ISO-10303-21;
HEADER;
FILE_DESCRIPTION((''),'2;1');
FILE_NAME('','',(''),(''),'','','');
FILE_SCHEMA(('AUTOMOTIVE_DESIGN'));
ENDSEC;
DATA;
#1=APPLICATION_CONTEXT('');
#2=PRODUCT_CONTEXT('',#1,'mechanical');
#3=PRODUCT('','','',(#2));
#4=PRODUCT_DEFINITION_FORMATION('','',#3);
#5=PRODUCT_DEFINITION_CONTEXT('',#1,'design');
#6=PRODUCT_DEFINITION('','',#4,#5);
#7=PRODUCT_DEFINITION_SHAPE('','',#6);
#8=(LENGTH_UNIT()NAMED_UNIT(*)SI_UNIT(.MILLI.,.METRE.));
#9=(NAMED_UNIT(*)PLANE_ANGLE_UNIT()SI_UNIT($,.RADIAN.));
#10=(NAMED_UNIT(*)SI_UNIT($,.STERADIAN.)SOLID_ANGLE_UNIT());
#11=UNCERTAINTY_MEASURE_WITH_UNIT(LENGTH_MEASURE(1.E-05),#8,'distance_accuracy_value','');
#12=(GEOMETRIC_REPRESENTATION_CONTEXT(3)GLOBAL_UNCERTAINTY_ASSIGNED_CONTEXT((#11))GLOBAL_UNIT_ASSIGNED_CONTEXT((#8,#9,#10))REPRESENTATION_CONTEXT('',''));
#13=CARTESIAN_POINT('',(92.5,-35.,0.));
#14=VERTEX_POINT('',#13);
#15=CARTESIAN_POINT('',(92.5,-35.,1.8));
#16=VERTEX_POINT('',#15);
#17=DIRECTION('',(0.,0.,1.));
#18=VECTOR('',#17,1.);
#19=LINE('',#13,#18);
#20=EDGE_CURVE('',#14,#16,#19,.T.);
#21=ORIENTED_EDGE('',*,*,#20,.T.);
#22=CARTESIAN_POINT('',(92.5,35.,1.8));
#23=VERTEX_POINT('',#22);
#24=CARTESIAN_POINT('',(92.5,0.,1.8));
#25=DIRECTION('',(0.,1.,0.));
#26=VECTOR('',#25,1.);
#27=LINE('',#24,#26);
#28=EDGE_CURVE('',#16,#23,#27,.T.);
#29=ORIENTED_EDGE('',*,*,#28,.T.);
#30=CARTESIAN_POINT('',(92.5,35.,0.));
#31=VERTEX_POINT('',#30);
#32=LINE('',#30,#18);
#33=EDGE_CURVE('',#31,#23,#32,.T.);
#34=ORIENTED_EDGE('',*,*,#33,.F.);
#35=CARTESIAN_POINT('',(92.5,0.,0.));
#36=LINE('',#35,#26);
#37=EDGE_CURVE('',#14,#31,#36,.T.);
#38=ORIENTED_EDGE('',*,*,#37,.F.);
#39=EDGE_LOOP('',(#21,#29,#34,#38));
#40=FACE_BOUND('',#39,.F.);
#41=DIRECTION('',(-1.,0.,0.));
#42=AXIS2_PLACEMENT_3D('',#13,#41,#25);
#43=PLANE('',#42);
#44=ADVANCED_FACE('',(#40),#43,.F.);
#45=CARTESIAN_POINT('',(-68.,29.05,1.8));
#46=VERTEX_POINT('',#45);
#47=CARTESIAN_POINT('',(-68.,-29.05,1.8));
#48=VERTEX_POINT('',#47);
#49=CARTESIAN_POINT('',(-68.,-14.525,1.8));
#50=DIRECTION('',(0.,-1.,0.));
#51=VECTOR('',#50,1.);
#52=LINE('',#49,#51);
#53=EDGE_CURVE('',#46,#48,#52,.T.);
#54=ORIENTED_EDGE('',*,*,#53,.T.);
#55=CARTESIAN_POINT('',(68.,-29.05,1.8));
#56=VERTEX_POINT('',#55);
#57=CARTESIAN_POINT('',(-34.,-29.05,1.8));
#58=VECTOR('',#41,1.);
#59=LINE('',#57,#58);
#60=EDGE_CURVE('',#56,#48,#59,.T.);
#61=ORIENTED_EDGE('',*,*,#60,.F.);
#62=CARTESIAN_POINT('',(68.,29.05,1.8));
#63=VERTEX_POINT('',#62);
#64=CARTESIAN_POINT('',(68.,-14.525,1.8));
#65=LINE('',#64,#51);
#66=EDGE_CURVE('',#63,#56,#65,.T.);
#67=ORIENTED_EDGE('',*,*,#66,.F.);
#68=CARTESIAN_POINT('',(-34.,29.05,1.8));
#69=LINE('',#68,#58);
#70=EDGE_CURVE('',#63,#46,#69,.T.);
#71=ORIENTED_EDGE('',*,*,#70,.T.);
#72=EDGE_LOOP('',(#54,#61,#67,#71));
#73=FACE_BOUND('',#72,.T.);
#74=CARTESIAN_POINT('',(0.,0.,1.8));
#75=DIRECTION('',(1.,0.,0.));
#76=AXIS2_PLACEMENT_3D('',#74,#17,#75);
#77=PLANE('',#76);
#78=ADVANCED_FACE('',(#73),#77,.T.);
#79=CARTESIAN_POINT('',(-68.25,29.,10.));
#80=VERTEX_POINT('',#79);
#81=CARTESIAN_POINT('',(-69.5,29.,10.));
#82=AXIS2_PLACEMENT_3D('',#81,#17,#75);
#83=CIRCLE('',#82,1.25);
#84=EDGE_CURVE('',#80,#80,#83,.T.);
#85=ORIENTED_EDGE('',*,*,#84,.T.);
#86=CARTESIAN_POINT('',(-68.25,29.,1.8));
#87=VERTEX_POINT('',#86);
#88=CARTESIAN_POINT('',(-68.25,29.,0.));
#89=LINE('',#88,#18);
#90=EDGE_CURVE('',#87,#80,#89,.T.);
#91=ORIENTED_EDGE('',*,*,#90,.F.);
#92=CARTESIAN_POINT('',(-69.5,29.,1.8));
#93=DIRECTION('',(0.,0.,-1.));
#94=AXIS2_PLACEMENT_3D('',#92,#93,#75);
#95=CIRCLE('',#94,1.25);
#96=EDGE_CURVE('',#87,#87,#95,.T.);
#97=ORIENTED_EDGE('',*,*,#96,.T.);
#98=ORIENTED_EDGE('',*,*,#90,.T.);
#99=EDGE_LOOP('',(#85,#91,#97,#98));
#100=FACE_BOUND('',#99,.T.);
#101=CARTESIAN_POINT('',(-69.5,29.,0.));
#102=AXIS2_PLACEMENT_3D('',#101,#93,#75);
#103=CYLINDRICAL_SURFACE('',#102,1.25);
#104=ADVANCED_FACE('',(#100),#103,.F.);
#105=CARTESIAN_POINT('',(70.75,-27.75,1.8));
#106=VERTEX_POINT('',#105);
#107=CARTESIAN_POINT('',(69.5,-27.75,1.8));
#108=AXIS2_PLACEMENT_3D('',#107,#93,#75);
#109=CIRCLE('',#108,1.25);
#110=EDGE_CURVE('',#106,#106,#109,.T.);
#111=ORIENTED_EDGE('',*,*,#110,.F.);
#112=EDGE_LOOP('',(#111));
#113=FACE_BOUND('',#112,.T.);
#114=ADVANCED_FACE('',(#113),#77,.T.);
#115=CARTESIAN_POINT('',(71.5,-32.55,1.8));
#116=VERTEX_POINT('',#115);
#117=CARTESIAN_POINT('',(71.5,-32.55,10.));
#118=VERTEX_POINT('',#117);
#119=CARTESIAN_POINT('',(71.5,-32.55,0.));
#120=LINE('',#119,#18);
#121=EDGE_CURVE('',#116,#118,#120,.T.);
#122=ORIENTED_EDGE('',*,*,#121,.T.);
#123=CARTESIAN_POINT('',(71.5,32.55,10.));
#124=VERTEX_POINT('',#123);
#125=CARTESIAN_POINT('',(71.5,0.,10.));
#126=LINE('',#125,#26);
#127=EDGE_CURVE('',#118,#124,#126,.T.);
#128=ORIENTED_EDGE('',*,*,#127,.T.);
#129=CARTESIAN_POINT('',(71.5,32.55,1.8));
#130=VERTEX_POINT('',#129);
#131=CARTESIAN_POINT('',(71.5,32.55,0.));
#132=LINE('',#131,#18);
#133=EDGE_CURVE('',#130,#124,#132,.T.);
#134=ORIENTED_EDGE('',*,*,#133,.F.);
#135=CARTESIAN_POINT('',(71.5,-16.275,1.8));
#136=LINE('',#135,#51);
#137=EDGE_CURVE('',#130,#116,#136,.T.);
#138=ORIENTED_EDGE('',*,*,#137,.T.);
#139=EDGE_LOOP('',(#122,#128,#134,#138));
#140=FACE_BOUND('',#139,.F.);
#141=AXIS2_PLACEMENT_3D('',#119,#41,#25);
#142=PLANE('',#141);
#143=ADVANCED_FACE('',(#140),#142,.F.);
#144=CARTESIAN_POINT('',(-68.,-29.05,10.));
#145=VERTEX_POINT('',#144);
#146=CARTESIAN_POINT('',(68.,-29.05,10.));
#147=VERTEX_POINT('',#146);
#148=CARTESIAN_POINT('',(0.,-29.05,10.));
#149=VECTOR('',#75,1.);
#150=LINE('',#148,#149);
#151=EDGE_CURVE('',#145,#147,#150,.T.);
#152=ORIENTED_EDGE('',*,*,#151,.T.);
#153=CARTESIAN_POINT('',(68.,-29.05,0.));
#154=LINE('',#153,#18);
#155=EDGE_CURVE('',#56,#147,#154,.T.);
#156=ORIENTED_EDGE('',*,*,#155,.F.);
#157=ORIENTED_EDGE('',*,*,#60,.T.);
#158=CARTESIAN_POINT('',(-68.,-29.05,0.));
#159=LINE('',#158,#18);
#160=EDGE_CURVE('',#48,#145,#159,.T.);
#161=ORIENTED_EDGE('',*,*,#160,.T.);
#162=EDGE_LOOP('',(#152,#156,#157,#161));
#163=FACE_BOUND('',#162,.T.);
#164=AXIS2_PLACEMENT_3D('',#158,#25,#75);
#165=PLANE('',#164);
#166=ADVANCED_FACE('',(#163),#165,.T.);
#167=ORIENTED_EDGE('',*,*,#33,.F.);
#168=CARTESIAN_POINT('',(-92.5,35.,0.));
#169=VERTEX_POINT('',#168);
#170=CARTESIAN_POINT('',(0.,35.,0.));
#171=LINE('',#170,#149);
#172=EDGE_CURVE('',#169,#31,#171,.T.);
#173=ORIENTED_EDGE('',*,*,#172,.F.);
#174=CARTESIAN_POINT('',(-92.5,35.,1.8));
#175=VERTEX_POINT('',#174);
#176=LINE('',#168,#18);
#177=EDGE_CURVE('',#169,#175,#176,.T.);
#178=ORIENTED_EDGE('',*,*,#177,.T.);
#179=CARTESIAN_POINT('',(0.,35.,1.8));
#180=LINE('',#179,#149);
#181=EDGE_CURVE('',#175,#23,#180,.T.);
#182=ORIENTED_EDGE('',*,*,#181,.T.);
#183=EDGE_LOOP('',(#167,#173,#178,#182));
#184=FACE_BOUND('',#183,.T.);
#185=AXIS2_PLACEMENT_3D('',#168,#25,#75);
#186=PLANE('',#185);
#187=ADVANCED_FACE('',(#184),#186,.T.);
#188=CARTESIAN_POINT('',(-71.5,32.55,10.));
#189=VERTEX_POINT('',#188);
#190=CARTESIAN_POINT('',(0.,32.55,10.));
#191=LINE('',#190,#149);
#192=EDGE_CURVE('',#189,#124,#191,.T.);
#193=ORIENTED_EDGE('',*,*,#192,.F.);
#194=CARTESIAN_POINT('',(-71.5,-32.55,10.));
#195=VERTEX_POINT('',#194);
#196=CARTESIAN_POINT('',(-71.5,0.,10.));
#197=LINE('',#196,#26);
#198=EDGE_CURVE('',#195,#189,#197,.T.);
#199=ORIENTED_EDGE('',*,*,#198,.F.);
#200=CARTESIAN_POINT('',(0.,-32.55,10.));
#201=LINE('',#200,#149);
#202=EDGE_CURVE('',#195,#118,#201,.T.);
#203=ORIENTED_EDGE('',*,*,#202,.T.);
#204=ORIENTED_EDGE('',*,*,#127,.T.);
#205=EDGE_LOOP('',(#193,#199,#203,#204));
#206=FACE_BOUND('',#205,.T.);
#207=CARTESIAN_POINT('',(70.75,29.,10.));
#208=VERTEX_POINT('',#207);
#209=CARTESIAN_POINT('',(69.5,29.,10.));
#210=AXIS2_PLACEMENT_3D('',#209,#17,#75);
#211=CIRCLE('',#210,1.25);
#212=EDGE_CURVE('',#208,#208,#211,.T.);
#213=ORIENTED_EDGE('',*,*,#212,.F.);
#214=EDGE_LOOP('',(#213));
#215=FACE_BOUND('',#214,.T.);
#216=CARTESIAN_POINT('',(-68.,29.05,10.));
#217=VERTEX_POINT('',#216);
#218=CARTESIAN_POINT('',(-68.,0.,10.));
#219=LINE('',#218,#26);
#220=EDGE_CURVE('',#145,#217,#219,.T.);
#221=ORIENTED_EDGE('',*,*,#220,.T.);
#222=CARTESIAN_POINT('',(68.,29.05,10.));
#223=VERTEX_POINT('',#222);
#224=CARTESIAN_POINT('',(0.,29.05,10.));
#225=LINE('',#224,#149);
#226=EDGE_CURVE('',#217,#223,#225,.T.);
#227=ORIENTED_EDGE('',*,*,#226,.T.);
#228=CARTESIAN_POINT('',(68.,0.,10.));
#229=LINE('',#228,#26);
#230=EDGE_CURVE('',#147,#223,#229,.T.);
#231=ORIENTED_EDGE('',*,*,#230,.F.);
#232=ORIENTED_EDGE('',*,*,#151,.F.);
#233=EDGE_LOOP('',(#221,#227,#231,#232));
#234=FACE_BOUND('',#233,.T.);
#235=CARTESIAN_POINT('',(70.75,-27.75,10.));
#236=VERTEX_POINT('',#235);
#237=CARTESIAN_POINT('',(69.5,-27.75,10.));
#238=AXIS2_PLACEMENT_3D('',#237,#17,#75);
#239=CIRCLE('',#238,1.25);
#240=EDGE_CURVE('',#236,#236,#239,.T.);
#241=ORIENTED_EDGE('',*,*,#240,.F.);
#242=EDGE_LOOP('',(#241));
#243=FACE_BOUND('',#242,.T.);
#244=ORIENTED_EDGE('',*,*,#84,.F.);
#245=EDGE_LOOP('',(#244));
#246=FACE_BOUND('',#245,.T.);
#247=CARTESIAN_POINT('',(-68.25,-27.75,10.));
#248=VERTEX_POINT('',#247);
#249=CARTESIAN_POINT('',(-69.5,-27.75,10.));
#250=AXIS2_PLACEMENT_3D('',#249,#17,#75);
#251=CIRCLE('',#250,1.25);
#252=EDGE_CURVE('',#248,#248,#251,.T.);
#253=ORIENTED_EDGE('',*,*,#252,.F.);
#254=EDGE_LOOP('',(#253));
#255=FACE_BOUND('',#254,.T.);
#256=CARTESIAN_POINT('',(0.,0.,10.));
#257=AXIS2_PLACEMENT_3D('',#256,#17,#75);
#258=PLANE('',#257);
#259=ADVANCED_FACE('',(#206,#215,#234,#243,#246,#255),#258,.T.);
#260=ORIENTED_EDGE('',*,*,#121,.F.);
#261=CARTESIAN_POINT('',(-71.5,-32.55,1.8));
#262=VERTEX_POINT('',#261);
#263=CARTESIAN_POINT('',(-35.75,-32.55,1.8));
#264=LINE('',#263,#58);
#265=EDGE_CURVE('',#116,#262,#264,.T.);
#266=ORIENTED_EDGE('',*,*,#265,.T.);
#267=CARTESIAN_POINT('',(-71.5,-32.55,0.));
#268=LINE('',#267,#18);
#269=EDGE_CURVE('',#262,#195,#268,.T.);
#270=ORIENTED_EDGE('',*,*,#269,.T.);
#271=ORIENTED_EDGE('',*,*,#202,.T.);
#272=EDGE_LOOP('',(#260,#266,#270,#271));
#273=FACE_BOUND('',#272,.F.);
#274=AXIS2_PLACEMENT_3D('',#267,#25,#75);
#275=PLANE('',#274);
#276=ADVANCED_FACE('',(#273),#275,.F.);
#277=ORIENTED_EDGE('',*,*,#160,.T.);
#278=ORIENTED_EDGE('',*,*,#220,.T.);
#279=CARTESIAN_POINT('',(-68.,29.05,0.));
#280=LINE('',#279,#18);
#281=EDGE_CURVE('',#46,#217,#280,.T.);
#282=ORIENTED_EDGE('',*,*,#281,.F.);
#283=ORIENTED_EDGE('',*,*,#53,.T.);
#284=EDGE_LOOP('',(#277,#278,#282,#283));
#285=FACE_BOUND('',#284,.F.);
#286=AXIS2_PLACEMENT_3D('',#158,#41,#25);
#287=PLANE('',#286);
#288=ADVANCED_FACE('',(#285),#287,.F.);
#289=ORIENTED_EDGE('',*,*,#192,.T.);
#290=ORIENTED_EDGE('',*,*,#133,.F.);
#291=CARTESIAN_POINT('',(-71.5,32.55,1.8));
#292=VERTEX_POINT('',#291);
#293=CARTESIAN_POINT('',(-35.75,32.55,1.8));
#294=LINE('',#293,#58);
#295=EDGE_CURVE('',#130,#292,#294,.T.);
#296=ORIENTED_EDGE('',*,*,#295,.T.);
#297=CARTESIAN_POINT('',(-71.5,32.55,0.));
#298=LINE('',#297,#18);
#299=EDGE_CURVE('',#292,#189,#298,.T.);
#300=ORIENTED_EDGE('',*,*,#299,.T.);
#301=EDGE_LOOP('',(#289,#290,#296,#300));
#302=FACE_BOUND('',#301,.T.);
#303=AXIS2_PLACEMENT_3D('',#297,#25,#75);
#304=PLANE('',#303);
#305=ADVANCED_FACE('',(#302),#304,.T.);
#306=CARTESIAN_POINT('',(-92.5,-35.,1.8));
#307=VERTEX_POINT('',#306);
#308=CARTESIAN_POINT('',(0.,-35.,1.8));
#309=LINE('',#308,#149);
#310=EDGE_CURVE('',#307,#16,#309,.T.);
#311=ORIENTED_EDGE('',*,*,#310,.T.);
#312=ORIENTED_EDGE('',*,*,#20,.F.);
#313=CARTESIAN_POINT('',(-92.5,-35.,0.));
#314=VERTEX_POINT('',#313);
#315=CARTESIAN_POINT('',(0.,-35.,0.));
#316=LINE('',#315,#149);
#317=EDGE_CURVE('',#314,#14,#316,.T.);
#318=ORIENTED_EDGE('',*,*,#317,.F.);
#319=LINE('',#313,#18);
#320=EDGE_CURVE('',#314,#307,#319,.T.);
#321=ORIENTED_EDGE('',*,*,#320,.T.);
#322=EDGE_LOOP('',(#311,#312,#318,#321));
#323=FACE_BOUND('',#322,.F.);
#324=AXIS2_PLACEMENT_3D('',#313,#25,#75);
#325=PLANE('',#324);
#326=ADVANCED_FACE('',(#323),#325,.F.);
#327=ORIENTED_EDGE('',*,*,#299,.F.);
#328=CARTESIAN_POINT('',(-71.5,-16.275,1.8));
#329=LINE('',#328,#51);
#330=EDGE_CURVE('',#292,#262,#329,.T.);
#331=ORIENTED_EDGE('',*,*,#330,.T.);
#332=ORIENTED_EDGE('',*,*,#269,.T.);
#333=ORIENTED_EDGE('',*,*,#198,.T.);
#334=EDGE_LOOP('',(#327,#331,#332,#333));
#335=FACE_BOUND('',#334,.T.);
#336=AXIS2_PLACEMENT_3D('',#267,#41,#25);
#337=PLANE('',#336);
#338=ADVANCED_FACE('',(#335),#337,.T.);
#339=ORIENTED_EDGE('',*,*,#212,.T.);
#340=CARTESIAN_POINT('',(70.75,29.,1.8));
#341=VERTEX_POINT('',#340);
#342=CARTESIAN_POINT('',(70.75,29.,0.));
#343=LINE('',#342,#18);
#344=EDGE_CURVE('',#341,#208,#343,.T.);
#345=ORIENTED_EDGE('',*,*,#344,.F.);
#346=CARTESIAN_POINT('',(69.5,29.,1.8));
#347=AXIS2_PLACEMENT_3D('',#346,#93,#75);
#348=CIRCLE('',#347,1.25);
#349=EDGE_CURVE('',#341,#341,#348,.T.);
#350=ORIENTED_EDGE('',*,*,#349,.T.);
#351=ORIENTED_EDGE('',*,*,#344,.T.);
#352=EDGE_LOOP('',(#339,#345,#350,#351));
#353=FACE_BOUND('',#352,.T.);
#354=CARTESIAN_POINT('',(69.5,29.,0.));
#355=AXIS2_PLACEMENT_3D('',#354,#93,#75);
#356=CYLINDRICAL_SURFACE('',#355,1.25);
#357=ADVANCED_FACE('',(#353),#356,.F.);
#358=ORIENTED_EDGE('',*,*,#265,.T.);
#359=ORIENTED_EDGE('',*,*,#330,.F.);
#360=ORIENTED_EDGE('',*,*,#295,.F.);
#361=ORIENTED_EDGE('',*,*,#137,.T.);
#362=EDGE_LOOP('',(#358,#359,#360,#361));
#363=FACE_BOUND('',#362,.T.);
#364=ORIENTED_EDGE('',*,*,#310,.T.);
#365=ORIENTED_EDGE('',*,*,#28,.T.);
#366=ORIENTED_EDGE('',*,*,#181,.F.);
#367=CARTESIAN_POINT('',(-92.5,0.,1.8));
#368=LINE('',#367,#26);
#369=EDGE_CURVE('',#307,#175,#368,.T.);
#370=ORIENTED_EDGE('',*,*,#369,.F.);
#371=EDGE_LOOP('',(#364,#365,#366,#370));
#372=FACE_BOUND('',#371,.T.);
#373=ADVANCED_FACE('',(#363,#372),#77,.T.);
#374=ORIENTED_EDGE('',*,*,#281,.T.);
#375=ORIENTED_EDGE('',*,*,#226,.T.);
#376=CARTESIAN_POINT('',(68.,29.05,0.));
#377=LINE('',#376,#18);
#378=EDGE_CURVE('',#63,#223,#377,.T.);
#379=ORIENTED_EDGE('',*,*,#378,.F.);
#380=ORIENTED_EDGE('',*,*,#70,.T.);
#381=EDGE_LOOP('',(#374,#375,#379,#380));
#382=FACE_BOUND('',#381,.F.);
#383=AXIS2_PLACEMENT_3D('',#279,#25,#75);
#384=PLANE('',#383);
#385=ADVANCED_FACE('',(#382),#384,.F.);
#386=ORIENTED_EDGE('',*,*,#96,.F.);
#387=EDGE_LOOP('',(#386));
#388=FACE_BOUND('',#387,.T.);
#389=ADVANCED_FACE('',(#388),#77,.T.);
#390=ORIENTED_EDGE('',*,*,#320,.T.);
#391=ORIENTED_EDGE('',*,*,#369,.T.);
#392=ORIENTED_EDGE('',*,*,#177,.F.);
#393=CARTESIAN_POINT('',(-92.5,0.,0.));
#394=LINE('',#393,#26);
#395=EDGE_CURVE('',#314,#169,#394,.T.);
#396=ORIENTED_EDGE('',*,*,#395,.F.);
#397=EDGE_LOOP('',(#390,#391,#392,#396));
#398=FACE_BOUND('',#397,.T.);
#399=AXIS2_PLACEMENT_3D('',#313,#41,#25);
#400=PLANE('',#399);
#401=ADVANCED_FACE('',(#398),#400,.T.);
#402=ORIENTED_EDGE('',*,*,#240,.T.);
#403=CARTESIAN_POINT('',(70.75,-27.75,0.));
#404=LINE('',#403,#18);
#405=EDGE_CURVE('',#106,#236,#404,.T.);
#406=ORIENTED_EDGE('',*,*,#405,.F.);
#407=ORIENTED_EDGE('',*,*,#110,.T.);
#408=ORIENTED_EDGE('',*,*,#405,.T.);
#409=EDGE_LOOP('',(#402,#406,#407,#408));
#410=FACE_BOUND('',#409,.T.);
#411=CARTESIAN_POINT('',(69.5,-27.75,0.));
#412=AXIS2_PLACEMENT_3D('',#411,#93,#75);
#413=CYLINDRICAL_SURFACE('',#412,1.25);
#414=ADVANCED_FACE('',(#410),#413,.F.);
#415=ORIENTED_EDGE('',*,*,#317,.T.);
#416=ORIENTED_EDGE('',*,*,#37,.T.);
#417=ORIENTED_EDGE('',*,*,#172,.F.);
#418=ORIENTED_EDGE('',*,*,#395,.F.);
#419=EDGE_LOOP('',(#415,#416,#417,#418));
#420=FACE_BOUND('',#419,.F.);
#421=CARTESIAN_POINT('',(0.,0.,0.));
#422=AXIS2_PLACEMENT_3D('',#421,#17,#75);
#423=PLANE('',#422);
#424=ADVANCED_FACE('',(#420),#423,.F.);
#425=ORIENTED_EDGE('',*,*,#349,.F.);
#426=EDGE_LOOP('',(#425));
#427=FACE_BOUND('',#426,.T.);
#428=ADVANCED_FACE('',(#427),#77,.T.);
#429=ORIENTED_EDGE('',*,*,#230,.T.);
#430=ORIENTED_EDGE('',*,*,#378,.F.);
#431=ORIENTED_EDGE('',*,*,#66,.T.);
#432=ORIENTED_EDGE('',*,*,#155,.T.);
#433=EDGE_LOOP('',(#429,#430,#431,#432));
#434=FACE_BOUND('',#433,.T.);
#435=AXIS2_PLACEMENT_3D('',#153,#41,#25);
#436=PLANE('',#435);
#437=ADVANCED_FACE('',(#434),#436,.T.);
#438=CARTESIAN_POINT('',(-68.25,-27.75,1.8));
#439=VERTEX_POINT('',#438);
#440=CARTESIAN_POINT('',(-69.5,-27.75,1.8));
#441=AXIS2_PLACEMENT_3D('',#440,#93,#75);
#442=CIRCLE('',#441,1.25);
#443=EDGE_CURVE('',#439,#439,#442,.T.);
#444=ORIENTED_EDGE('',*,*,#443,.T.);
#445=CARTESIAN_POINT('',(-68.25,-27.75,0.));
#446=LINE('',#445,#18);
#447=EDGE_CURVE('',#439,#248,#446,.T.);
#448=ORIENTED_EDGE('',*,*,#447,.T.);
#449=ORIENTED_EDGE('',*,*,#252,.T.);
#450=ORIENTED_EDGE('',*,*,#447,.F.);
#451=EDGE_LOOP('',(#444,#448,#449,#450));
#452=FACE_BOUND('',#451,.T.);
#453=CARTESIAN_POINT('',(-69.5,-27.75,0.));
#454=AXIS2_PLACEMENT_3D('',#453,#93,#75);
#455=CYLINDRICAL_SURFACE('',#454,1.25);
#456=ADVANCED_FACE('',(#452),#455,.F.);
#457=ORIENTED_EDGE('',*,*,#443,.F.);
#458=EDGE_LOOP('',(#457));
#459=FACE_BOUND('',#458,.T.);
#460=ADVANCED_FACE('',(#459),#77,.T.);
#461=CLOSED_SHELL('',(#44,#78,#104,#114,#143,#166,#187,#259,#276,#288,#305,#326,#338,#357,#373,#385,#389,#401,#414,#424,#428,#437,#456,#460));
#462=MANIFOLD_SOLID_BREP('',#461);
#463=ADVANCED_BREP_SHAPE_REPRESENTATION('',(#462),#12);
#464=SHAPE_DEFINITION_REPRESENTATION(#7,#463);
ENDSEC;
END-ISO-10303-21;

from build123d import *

# Parameters (mm, degrees)
F0_W     = 185
F0_H     = 70
F0_W_2   = 143
F0_H_2   = 65.1
F0_R     = 1.25
F0_W_3   = 136
F0_H_3   = 58.1
F1_DEPTH = 1.8
F2_DEPTH = 10


with BuildPart() as f1:
    # F0 (on Top) → F1 (new body)
    with BuildSketch(Plane.XY):
        Rectangle(F0_W, F0_H)
        Rectangle(F0_W_2, F0_H_2, mode=Mode.SUBTRACT)
        Rectangle(F0_W_2, F0_H_2)
        with Locations((-69.5, -27.75)):
            Circle(F0_R, mode=Mode.SUBTRACT)
        with Locations((69.5, -27.75)):
            Circle(F0_R, mode=Mode.SUBTRACT)
        with Locations((-69.5, 29)):
            Circle(F0_R, mode=Mode.SUBTRACT)
        Rectangle(F0_W_3, F0_H_3, mode=Mode.SUBTRACT)
        with Locations((69.5, 29)):
            Circle(F0_R, mode=Mode.SUBTRACT)
        Rectangle(F0_W_3, F0_H_3)
        with Locations((-69.5, -27.75)):
            Circle(F0_R)
        with Locations((-69.5, 29)):
            Circle(F0_R)
        with Locations((69.5, 29)):
            Circle(F0_R)
        with Locations((69.5, -27.75)):
            Circle(F0_R)
    extrude(amount=F1_DEPTH)

    # F0 (on Top) → F2 (join)
    with BuildSketch(Plane.XY):
        Rectangle(F0_W_2, F0_H_2)
        with Locations((-69.5, -27.75)):
            Circle(F0_R, mode=Mode.SUBTRACT)
        with Locations((69.5, -27.75)):
            Circle(F0_R, mode=Mode.SUBTRACT)
        with Locations((-69.5, 29)):
            Circle(F0_R, mode=Mode.SUBTRACT)
        Rectangle(F0_W_3, F0_H_3, mode=Mode.SUBTRACT)
        with Locations((69.5, 29)):
            Circle(F0_R, mode=Mode.SUBTRACT)
    extrude(amount=F2_DEPTH)


solid = f1.part
